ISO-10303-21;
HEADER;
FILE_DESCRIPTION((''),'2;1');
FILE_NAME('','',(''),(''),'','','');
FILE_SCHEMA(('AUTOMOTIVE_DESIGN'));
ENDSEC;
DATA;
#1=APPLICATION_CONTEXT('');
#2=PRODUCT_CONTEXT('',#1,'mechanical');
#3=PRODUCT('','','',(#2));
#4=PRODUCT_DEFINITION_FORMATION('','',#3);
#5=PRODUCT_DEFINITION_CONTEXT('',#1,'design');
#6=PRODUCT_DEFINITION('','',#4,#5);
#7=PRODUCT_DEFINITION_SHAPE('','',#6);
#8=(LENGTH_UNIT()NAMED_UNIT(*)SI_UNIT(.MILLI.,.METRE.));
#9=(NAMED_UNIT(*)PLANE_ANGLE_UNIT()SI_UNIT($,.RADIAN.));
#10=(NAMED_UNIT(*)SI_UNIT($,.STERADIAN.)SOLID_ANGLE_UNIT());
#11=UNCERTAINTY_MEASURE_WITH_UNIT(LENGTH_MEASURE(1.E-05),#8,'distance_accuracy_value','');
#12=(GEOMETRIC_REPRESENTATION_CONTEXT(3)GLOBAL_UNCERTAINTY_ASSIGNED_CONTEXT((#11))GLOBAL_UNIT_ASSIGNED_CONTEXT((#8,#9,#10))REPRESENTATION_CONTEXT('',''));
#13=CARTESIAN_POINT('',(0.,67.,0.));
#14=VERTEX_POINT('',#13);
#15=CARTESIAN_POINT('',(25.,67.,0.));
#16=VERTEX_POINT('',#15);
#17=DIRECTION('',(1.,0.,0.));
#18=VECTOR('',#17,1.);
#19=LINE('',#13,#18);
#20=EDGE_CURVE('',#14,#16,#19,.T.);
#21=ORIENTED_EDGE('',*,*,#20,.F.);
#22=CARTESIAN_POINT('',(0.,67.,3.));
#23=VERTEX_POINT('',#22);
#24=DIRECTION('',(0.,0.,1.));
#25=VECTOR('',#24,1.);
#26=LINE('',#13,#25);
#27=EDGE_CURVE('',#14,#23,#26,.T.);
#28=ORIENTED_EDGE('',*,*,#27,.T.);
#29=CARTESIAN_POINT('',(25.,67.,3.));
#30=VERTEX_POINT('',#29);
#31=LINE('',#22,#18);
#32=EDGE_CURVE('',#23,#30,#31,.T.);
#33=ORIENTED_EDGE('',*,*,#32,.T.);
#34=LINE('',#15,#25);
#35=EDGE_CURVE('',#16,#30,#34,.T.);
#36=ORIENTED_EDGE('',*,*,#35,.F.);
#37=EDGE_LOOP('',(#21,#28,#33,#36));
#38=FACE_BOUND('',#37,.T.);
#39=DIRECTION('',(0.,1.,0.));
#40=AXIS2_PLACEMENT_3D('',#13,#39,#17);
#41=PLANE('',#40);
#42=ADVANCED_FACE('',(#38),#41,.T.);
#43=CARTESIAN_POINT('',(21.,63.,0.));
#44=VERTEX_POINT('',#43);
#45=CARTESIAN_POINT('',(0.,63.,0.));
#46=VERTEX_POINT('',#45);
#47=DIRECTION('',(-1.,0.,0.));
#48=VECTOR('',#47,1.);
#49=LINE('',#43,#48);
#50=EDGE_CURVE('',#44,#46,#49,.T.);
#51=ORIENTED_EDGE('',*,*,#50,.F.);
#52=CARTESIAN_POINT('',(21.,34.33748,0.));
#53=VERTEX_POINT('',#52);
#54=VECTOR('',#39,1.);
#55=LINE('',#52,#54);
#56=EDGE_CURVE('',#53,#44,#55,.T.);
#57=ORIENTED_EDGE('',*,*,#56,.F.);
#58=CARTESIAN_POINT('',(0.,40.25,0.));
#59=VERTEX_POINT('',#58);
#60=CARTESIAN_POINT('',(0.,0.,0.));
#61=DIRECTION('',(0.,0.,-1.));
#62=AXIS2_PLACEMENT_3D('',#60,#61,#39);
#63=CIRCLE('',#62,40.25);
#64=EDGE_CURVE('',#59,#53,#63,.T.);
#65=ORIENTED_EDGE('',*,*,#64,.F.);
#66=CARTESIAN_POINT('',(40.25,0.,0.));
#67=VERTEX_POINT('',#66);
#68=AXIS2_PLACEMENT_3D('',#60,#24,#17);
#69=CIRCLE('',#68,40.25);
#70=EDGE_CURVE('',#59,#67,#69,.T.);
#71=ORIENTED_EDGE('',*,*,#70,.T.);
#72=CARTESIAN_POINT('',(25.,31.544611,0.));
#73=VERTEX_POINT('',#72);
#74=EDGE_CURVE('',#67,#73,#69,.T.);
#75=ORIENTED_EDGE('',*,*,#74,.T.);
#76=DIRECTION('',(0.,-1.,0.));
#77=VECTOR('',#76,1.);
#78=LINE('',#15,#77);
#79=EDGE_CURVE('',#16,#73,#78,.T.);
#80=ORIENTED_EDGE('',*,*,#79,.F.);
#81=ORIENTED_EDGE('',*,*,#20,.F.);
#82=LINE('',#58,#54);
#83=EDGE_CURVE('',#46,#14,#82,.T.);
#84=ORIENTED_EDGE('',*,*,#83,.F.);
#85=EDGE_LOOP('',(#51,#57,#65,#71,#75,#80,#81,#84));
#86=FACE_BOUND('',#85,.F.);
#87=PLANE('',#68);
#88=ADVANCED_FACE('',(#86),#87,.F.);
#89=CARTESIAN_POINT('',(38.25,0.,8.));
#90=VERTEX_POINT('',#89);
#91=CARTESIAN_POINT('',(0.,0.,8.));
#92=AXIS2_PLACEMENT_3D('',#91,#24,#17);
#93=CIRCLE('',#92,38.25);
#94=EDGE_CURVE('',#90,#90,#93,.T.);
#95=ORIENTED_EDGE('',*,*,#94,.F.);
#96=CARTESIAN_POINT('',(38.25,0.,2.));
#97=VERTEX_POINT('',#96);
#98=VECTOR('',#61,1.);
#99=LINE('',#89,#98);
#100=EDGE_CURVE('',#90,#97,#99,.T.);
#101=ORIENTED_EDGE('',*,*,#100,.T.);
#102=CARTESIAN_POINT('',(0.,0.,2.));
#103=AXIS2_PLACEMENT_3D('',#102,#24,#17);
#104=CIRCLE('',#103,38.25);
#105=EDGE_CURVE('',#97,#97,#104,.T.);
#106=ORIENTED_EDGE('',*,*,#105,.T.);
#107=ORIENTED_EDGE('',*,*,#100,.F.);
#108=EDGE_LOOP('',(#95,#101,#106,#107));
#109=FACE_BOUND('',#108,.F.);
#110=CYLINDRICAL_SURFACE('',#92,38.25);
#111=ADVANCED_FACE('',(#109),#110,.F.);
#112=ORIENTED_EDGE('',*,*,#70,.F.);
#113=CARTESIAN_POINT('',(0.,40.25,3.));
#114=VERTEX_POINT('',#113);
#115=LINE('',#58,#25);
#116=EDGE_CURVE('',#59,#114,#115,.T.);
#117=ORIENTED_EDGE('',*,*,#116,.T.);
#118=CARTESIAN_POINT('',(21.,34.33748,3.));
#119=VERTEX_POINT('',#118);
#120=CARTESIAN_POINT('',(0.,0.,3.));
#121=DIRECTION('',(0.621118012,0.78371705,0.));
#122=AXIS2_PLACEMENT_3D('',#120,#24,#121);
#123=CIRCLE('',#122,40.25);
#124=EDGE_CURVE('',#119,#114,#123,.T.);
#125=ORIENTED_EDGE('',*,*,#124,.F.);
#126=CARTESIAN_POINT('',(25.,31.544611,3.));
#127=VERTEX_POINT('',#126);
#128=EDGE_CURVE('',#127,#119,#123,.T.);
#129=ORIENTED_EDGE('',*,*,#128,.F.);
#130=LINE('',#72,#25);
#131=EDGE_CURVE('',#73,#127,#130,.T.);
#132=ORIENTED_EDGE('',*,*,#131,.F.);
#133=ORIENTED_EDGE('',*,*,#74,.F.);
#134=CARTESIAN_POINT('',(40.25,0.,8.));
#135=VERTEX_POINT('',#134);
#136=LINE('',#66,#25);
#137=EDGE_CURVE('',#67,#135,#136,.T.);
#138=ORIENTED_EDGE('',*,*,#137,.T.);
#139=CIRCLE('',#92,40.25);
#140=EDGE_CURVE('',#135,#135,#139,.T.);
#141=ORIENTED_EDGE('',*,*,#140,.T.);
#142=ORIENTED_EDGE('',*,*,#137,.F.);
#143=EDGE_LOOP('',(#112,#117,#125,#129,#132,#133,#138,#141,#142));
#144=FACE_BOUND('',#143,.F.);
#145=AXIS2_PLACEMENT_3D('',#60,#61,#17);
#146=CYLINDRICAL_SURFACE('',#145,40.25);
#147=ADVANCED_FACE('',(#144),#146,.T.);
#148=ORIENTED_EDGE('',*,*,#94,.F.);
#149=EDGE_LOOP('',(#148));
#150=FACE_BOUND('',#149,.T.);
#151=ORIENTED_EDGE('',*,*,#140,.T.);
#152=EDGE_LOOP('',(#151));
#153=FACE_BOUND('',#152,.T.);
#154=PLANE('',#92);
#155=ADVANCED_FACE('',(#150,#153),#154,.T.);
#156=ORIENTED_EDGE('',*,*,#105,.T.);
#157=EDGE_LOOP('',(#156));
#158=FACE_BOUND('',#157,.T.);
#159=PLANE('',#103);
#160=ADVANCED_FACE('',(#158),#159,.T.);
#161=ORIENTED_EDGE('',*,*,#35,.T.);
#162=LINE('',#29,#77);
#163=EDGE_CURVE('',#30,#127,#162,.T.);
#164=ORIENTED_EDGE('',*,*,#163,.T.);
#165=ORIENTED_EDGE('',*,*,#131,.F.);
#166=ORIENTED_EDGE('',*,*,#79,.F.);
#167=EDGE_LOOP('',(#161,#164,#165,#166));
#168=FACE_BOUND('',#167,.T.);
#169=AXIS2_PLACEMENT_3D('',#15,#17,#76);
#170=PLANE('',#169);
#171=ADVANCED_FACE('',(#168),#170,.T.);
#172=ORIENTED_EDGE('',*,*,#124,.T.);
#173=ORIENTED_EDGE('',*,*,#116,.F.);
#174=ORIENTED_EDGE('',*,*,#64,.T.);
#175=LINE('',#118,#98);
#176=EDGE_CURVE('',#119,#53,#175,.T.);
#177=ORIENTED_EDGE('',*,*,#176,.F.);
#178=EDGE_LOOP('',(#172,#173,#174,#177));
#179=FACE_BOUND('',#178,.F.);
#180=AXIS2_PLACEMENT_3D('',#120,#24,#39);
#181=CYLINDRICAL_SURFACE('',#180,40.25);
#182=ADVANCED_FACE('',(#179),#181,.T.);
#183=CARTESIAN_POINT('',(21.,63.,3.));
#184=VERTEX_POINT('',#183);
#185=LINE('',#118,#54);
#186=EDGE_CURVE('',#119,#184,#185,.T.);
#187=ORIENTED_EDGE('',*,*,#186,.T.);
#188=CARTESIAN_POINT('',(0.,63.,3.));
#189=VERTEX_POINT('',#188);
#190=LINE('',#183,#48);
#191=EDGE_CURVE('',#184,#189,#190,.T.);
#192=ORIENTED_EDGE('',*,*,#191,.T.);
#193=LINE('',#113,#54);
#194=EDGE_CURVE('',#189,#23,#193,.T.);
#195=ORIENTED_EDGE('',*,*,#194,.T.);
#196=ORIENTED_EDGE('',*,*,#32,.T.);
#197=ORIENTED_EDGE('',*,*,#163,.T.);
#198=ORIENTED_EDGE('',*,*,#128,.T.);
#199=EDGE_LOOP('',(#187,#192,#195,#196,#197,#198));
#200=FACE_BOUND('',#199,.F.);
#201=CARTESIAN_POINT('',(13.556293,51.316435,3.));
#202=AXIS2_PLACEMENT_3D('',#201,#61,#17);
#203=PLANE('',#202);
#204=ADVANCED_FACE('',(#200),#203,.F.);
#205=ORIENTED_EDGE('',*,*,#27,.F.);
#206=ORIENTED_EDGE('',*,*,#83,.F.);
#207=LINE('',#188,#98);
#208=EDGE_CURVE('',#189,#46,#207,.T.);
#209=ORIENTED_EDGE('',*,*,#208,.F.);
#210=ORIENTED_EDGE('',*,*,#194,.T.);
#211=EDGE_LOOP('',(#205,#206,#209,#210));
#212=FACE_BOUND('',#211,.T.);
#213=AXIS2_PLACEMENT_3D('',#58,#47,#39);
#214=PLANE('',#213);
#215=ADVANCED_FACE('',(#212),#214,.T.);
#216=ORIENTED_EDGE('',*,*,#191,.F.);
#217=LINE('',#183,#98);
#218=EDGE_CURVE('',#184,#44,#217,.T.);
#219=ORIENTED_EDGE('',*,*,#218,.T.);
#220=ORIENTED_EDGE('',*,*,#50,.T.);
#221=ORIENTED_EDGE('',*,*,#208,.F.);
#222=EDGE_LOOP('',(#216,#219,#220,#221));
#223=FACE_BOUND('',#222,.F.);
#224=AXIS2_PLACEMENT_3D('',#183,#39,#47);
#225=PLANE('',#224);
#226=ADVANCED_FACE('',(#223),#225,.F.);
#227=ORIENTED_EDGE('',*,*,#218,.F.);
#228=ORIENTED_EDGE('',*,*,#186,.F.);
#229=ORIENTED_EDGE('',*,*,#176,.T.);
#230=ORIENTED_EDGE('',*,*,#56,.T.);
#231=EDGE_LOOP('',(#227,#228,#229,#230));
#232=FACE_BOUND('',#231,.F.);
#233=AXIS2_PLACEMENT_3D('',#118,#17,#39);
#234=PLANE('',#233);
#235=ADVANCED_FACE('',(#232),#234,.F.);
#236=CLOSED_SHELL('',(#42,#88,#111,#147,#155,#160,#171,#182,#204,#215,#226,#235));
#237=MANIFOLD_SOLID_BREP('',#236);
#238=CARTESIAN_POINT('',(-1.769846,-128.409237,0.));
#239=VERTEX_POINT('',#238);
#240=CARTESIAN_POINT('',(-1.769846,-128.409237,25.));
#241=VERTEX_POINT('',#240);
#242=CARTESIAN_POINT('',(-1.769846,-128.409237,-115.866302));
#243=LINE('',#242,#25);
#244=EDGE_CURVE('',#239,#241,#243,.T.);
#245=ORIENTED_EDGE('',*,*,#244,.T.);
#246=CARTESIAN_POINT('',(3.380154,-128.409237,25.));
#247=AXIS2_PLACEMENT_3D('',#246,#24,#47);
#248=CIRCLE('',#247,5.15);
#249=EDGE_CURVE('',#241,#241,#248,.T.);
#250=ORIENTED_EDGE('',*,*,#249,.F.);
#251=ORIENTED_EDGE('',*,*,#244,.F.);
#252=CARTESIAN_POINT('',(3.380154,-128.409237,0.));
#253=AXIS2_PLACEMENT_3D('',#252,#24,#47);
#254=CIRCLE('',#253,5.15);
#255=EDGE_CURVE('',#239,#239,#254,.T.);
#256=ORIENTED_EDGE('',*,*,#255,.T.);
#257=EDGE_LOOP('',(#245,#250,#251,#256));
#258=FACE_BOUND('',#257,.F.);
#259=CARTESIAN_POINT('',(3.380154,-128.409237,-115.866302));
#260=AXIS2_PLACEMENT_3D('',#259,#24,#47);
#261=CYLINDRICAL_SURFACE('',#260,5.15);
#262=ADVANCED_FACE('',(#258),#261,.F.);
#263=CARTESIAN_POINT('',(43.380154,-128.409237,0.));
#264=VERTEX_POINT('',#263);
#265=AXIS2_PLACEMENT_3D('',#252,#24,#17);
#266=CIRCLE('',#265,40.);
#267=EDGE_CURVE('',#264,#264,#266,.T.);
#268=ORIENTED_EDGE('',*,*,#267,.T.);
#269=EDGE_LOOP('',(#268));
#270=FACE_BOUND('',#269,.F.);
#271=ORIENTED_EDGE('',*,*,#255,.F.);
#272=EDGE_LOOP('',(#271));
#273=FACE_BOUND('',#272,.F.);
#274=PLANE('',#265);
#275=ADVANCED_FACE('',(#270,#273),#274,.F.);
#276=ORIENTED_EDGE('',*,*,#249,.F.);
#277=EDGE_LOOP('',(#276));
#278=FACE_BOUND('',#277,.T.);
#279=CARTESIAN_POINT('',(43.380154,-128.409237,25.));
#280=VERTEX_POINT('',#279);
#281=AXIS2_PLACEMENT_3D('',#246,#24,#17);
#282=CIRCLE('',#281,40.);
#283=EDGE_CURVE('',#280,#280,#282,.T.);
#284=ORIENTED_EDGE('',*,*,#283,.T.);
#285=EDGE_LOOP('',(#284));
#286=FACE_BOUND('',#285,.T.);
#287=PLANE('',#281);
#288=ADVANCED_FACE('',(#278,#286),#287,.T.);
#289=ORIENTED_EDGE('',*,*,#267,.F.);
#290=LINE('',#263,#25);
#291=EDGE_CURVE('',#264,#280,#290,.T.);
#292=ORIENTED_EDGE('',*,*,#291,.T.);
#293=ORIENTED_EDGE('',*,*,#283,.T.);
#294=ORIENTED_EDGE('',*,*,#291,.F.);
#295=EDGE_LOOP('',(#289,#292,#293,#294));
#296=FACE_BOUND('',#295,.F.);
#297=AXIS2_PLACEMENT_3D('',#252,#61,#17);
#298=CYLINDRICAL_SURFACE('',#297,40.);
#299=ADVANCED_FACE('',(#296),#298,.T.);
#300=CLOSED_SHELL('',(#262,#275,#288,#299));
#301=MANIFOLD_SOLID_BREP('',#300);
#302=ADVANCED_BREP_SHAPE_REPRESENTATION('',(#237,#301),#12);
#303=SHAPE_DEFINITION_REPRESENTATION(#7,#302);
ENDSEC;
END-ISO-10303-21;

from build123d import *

# Parameters (mm, degrees)
F0_R     = 40.25
F1_DEPTH = 8
F2_R     = 38.25
F3_DEPTH = 6
F5_DEPTH = 3
F7_DEPTH = 3
F8_R     = 40
F9_DEPTH = 25
F10_D    = 10.3


with BuildPart() as f1:
    # F0 (on Top) → F1 (new body)
    with BuildSketch(Plane.XY):
        Circle(F0_R)
    extrude(amount=F1_DEPTH)

    # F2 (on face) → F3 (cut)
    with BuildSketch(Plane.XY.offset(8)):
        Circle(F2_R)
    extrude(amount=-F3_DEPTH, mode=Mode.SUBTRACT)

    # F4 (on face) → F5 (join)
    with BuildSketch(Plane(origin=(0, 0, 0), x_dir=(1, 0, 0), z_dir=(0, 0, -1))):
        with BuildLine():
            ThreePointArc((25, -31.5446112672), (13.2361606309, -38.0114002867), (0, -40.25))
            Line((0, -40.25), (0, -67))
            Line((0, -67), (25, -67))
            Line((25, -67), (25, -31.5446112672))
        make_face()
    extrude(amount=-F5_DEPTH)

    # F6 (on face) → F7 (cut, through all)
    with BuildSketch(Plane.XY.offset(3)):
        with BuildLine():
            Line((21, 63), (0, 63))
            Line((0, 63), (0, 40.25))
            ThreePointArc((0, 40.25), (10.9082296729, 38.743683684), (21, 34.3374795231))
            Line((21, 34.3374795231), (21, 63))
        make_face()
    extrude(amount=-F7_DEPTH, mode=Mode.SUBTRACT)


with BuildPart() as f9:
    # F8 (on Top) → F9 (new body)
    with BuildSketch(Plane.XY):
        with Locations((3.3801544923, -128.4092366695)):
            Circle(F8_R)
    extrude(amount=F9_DEPTH)

    # F10 (through all)
    with Locations(Plane(origin=(0, 0, 0), x_dir=(1, 0, 0), z_dir=(0, 0, -1))):
        with Locations((3.3801544923, 128.4092366695)):
            Hole(F10_D / 2)


solid = Compound([f1.part, f9.part])
